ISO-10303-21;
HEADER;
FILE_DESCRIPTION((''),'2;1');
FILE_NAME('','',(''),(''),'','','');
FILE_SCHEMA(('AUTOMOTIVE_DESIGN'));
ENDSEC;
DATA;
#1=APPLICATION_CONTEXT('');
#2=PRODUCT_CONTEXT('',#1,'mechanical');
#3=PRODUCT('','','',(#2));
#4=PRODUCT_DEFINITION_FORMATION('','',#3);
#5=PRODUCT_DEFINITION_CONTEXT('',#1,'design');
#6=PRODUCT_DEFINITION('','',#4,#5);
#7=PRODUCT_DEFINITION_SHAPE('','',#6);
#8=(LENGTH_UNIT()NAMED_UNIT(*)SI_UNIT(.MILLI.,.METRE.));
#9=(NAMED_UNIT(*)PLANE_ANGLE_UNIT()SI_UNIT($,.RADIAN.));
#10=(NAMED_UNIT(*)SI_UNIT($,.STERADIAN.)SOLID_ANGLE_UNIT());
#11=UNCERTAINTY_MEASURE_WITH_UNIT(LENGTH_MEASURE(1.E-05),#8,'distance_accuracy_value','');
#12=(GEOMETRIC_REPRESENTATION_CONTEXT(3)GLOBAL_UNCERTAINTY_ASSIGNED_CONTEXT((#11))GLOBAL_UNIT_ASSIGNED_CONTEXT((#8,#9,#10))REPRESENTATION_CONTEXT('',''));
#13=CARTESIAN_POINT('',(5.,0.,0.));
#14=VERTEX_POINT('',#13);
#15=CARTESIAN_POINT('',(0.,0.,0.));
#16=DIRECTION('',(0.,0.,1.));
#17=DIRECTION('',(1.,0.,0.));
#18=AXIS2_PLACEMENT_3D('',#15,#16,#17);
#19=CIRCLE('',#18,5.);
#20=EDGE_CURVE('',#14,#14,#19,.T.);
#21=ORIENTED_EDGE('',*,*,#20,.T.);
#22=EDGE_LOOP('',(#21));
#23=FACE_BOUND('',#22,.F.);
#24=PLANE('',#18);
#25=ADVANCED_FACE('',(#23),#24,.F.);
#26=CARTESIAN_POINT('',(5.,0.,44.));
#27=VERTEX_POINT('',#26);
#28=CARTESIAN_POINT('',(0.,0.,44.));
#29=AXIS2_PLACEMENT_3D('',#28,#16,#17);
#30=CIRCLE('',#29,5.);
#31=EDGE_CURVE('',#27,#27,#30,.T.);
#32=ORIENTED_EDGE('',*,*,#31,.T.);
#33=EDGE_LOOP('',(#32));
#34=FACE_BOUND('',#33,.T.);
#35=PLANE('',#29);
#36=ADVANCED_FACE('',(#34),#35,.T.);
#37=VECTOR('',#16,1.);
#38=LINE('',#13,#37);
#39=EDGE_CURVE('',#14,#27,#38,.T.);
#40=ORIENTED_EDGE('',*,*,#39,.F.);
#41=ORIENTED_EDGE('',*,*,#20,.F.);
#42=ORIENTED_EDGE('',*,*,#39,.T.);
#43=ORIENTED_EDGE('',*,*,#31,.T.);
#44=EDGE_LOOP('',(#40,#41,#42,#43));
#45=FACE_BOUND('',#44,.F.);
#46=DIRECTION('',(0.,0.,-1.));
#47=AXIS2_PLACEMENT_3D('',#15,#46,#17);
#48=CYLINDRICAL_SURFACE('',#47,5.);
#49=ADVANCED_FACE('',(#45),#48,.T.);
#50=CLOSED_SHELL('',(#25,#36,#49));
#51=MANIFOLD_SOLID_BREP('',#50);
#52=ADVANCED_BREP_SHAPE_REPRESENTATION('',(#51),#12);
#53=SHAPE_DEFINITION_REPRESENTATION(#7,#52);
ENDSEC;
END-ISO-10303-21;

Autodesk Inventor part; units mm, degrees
ref_plane "YZ Plane" through (0, 0, 0) normal (1, 0, 0) x (0, 1, 0)
ref_plane "XZ Plane" through (0, 0, 0) normal (0, 1, 0) x (-1, 0, 0)
ref_plane "XY Plane" through (0, 0, 0) normal (0, 0, 1) x (1, 0, 0)
sketch "Skizze1" plane through (0, 0, 0) normal (0, 0, 1) x (1, 0, 0)
  circle A0 centre (0, 0) radius 5
  dimension "d0" = 10
extrude "Extrusion1" add sketch "Skizze1" along normal blind 44
properties part number "BauteilWelle7"
